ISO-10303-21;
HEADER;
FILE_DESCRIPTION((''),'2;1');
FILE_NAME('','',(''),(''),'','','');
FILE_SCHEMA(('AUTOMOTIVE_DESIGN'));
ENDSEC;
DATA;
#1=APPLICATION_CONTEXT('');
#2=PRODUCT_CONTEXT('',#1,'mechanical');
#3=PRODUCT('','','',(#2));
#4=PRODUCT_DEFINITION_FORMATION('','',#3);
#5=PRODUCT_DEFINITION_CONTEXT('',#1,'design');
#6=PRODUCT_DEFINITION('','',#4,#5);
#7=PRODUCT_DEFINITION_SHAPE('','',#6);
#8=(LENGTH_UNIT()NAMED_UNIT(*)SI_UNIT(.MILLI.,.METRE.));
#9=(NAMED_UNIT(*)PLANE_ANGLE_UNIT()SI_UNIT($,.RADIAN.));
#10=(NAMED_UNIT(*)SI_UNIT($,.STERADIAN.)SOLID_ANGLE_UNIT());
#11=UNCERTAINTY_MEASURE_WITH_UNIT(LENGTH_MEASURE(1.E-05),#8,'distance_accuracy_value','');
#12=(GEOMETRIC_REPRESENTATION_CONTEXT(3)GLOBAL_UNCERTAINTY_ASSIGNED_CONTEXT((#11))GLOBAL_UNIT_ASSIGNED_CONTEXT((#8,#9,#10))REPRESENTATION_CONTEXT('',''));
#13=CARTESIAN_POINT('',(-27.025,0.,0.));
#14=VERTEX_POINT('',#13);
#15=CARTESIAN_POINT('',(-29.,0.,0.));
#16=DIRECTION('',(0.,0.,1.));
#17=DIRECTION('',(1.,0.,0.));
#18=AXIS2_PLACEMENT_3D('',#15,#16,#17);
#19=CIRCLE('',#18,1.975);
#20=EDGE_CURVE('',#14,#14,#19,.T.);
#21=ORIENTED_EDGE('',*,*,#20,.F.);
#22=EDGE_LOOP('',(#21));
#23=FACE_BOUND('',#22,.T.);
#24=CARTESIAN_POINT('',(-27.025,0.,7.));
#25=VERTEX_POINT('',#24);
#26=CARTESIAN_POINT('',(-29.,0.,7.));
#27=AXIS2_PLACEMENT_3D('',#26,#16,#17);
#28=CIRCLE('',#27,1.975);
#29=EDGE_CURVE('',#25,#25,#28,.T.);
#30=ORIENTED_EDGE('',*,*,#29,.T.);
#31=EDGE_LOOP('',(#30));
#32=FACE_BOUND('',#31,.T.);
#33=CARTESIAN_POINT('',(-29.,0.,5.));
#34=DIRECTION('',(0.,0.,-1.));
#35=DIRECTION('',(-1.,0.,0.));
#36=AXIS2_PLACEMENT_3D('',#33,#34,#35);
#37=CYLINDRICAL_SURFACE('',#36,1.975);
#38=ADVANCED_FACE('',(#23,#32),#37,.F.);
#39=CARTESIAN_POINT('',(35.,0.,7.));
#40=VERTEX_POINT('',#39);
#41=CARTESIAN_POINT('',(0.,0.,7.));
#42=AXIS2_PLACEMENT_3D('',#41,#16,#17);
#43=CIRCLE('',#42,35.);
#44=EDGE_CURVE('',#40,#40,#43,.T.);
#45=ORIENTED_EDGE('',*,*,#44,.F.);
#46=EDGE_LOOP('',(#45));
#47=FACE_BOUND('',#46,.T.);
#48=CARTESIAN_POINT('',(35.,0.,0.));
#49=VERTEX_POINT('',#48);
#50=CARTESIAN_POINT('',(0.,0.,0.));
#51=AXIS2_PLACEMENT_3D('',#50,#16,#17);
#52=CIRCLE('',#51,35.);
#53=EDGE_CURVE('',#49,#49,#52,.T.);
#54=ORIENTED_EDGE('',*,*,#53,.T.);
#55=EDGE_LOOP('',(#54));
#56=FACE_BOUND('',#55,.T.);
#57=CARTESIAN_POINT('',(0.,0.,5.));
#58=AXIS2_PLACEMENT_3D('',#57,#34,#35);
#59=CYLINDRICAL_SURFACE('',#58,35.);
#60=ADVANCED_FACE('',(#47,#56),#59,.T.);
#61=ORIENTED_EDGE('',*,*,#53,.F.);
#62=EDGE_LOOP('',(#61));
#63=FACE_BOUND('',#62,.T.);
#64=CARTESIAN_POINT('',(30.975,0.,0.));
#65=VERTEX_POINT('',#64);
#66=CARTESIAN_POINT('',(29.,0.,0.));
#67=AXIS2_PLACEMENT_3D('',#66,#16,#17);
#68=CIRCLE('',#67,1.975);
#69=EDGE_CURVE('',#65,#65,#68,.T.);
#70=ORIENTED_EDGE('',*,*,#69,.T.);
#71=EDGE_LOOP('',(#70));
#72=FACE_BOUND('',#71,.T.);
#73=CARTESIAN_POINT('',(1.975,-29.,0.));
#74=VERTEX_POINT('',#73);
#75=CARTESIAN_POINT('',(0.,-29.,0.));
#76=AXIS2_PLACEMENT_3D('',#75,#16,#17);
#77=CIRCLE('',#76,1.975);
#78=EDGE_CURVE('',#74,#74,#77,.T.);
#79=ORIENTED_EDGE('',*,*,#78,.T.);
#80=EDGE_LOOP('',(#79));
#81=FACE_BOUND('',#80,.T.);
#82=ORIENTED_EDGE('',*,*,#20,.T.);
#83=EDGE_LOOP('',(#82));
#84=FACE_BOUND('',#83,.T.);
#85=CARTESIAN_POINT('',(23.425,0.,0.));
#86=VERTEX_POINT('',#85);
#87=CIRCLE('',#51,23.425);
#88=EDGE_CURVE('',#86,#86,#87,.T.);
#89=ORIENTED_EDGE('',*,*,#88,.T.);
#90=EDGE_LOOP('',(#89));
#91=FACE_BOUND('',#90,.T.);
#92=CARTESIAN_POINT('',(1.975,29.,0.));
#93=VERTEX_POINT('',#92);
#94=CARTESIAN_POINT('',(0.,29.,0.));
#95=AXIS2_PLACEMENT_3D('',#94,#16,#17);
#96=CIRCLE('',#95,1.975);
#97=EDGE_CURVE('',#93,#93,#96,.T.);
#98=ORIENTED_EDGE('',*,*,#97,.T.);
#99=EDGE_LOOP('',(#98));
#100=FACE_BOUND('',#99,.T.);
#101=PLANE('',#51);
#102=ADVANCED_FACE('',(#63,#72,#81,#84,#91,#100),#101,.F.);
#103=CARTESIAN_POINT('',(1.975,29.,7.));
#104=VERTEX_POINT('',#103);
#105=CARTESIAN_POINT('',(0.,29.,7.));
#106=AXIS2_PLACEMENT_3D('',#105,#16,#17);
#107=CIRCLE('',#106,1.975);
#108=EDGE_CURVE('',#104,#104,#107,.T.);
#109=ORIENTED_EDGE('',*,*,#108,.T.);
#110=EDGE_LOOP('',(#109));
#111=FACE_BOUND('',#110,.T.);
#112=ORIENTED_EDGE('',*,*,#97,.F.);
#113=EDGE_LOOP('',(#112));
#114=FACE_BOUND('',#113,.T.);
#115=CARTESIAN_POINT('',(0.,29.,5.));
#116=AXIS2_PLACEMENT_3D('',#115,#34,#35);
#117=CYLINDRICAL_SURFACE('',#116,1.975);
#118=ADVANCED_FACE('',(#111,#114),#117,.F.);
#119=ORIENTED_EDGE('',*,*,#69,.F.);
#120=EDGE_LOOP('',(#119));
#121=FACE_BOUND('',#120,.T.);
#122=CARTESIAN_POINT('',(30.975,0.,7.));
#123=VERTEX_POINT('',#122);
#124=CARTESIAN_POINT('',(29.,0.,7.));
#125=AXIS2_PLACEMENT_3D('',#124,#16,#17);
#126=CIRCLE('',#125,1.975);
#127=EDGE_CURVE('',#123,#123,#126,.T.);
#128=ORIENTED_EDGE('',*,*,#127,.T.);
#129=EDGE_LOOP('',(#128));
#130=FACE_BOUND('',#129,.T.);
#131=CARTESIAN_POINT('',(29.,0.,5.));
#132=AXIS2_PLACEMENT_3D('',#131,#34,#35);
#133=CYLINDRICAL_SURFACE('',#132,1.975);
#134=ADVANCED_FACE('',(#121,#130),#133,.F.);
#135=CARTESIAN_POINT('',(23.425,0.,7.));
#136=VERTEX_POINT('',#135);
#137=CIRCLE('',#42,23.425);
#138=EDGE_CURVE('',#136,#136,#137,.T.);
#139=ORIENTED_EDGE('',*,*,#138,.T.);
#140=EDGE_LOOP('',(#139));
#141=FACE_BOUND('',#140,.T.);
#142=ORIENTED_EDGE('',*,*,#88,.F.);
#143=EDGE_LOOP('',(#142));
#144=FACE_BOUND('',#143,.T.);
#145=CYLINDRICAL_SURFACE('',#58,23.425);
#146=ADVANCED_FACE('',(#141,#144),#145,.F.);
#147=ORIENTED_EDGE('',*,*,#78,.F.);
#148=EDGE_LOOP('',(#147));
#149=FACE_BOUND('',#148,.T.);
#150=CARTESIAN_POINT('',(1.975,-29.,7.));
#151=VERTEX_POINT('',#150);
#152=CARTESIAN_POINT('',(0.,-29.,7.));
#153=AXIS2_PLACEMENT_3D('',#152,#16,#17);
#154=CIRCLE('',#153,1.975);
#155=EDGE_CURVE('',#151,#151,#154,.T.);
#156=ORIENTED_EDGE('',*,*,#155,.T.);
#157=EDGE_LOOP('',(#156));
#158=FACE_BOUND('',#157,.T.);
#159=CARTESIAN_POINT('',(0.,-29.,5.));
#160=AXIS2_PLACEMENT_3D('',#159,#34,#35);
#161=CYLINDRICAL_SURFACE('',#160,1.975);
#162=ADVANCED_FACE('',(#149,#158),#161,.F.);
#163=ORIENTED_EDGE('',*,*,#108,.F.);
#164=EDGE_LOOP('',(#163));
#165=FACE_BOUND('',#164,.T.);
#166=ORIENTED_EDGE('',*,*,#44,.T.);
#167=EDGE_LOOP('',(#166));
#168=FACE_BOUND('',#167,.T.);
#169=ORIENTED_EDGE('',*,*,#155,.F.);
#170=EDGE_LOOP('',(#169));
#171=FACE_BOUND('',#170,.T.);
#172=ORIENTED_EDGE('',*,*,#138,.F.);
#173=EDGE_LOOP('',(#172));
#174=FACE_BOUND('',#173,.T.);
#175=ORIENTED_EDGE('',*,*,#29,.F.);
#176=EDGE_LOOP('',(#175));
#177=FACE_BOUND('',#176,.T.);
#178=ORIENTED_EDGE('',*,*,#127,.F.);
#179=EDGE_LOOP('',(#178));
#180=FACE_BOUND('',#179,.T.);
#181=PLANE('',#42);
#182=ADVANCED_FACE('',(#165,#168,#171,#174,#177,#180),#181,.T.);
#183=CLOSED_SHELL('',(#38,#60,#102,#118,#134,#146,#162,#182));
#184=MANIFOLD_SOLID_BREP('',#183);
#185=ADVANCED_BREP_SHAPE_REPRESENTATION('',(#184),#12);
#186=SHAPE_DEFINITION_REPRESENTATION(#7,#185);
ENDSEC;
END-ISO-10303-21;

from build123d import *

# Parameters (mm, degrees)
SKETCH1_R           = 35
SKETCH1_R_2         = 23.425
SKETCH1_R_3         = 1.975
BOSS_EXTRUDE1_DEPTH = 5
SKETCH4_R           = 35
SKETCH4_R_2         = 23.425
SKETCH4_R_3         = 1.975
BOSS_EXTRUDE3_DEPTH = 2


with BuildPart() as part:
    # Sketch1 → Boss-Extrude1 (new body)
    with BuildSketch(Plane.XY):
        Circle(SKETCH1_R)
        Circle(SKETCH1_R_2, mode=Mode.SUBTRACT)
        with Locations((0, 29)):
            Circle(SKETCH1_R_3, mode=Mode.SUBTRACT)
        with Locations((29, 0)):
            Circle(SKETCH1_R_3, mode=Mode.SUBTRACT)
        with Locations((0, -29)):
            Circle(SKETCH1_R_3, mode=Mode.SUBTRACT)
        with Locations((-29, 0)):
            Circle(SKETCH1_R_3, mode=Mode.SUBTRACT)
    extrude(amount=BOSS_EXTRUDE1_DEPTH)

    # Sketch4 → Boss-Extrude3 (add)
    with BuildSketch(Plane.XY.offset(5)):
        Circle(SKETCH4_R)
        Circle(SKETCH4_R_2, mode=Mode.SUBTRACT)
        with Locations((0, 29)):
            Circle(SKETCH4_R_3, mode=Mode.SUBTRACT)
        with Locations((29, 0)):
            Circle(SKETCH4_R_3, mode=Mode.SUBTRACT)
        with Locations((0, -29)):
            Circle(SKETCH4_R_3, mode=Mode.SUBTRACT)
        with Locations((-29, 0)):
            Circle(SKETCH4_R_3, mode=Mode.SUBTRACT)
    extrude(amount=BOSS_EXTRUDE3_DEPTH)


solid = part.part
